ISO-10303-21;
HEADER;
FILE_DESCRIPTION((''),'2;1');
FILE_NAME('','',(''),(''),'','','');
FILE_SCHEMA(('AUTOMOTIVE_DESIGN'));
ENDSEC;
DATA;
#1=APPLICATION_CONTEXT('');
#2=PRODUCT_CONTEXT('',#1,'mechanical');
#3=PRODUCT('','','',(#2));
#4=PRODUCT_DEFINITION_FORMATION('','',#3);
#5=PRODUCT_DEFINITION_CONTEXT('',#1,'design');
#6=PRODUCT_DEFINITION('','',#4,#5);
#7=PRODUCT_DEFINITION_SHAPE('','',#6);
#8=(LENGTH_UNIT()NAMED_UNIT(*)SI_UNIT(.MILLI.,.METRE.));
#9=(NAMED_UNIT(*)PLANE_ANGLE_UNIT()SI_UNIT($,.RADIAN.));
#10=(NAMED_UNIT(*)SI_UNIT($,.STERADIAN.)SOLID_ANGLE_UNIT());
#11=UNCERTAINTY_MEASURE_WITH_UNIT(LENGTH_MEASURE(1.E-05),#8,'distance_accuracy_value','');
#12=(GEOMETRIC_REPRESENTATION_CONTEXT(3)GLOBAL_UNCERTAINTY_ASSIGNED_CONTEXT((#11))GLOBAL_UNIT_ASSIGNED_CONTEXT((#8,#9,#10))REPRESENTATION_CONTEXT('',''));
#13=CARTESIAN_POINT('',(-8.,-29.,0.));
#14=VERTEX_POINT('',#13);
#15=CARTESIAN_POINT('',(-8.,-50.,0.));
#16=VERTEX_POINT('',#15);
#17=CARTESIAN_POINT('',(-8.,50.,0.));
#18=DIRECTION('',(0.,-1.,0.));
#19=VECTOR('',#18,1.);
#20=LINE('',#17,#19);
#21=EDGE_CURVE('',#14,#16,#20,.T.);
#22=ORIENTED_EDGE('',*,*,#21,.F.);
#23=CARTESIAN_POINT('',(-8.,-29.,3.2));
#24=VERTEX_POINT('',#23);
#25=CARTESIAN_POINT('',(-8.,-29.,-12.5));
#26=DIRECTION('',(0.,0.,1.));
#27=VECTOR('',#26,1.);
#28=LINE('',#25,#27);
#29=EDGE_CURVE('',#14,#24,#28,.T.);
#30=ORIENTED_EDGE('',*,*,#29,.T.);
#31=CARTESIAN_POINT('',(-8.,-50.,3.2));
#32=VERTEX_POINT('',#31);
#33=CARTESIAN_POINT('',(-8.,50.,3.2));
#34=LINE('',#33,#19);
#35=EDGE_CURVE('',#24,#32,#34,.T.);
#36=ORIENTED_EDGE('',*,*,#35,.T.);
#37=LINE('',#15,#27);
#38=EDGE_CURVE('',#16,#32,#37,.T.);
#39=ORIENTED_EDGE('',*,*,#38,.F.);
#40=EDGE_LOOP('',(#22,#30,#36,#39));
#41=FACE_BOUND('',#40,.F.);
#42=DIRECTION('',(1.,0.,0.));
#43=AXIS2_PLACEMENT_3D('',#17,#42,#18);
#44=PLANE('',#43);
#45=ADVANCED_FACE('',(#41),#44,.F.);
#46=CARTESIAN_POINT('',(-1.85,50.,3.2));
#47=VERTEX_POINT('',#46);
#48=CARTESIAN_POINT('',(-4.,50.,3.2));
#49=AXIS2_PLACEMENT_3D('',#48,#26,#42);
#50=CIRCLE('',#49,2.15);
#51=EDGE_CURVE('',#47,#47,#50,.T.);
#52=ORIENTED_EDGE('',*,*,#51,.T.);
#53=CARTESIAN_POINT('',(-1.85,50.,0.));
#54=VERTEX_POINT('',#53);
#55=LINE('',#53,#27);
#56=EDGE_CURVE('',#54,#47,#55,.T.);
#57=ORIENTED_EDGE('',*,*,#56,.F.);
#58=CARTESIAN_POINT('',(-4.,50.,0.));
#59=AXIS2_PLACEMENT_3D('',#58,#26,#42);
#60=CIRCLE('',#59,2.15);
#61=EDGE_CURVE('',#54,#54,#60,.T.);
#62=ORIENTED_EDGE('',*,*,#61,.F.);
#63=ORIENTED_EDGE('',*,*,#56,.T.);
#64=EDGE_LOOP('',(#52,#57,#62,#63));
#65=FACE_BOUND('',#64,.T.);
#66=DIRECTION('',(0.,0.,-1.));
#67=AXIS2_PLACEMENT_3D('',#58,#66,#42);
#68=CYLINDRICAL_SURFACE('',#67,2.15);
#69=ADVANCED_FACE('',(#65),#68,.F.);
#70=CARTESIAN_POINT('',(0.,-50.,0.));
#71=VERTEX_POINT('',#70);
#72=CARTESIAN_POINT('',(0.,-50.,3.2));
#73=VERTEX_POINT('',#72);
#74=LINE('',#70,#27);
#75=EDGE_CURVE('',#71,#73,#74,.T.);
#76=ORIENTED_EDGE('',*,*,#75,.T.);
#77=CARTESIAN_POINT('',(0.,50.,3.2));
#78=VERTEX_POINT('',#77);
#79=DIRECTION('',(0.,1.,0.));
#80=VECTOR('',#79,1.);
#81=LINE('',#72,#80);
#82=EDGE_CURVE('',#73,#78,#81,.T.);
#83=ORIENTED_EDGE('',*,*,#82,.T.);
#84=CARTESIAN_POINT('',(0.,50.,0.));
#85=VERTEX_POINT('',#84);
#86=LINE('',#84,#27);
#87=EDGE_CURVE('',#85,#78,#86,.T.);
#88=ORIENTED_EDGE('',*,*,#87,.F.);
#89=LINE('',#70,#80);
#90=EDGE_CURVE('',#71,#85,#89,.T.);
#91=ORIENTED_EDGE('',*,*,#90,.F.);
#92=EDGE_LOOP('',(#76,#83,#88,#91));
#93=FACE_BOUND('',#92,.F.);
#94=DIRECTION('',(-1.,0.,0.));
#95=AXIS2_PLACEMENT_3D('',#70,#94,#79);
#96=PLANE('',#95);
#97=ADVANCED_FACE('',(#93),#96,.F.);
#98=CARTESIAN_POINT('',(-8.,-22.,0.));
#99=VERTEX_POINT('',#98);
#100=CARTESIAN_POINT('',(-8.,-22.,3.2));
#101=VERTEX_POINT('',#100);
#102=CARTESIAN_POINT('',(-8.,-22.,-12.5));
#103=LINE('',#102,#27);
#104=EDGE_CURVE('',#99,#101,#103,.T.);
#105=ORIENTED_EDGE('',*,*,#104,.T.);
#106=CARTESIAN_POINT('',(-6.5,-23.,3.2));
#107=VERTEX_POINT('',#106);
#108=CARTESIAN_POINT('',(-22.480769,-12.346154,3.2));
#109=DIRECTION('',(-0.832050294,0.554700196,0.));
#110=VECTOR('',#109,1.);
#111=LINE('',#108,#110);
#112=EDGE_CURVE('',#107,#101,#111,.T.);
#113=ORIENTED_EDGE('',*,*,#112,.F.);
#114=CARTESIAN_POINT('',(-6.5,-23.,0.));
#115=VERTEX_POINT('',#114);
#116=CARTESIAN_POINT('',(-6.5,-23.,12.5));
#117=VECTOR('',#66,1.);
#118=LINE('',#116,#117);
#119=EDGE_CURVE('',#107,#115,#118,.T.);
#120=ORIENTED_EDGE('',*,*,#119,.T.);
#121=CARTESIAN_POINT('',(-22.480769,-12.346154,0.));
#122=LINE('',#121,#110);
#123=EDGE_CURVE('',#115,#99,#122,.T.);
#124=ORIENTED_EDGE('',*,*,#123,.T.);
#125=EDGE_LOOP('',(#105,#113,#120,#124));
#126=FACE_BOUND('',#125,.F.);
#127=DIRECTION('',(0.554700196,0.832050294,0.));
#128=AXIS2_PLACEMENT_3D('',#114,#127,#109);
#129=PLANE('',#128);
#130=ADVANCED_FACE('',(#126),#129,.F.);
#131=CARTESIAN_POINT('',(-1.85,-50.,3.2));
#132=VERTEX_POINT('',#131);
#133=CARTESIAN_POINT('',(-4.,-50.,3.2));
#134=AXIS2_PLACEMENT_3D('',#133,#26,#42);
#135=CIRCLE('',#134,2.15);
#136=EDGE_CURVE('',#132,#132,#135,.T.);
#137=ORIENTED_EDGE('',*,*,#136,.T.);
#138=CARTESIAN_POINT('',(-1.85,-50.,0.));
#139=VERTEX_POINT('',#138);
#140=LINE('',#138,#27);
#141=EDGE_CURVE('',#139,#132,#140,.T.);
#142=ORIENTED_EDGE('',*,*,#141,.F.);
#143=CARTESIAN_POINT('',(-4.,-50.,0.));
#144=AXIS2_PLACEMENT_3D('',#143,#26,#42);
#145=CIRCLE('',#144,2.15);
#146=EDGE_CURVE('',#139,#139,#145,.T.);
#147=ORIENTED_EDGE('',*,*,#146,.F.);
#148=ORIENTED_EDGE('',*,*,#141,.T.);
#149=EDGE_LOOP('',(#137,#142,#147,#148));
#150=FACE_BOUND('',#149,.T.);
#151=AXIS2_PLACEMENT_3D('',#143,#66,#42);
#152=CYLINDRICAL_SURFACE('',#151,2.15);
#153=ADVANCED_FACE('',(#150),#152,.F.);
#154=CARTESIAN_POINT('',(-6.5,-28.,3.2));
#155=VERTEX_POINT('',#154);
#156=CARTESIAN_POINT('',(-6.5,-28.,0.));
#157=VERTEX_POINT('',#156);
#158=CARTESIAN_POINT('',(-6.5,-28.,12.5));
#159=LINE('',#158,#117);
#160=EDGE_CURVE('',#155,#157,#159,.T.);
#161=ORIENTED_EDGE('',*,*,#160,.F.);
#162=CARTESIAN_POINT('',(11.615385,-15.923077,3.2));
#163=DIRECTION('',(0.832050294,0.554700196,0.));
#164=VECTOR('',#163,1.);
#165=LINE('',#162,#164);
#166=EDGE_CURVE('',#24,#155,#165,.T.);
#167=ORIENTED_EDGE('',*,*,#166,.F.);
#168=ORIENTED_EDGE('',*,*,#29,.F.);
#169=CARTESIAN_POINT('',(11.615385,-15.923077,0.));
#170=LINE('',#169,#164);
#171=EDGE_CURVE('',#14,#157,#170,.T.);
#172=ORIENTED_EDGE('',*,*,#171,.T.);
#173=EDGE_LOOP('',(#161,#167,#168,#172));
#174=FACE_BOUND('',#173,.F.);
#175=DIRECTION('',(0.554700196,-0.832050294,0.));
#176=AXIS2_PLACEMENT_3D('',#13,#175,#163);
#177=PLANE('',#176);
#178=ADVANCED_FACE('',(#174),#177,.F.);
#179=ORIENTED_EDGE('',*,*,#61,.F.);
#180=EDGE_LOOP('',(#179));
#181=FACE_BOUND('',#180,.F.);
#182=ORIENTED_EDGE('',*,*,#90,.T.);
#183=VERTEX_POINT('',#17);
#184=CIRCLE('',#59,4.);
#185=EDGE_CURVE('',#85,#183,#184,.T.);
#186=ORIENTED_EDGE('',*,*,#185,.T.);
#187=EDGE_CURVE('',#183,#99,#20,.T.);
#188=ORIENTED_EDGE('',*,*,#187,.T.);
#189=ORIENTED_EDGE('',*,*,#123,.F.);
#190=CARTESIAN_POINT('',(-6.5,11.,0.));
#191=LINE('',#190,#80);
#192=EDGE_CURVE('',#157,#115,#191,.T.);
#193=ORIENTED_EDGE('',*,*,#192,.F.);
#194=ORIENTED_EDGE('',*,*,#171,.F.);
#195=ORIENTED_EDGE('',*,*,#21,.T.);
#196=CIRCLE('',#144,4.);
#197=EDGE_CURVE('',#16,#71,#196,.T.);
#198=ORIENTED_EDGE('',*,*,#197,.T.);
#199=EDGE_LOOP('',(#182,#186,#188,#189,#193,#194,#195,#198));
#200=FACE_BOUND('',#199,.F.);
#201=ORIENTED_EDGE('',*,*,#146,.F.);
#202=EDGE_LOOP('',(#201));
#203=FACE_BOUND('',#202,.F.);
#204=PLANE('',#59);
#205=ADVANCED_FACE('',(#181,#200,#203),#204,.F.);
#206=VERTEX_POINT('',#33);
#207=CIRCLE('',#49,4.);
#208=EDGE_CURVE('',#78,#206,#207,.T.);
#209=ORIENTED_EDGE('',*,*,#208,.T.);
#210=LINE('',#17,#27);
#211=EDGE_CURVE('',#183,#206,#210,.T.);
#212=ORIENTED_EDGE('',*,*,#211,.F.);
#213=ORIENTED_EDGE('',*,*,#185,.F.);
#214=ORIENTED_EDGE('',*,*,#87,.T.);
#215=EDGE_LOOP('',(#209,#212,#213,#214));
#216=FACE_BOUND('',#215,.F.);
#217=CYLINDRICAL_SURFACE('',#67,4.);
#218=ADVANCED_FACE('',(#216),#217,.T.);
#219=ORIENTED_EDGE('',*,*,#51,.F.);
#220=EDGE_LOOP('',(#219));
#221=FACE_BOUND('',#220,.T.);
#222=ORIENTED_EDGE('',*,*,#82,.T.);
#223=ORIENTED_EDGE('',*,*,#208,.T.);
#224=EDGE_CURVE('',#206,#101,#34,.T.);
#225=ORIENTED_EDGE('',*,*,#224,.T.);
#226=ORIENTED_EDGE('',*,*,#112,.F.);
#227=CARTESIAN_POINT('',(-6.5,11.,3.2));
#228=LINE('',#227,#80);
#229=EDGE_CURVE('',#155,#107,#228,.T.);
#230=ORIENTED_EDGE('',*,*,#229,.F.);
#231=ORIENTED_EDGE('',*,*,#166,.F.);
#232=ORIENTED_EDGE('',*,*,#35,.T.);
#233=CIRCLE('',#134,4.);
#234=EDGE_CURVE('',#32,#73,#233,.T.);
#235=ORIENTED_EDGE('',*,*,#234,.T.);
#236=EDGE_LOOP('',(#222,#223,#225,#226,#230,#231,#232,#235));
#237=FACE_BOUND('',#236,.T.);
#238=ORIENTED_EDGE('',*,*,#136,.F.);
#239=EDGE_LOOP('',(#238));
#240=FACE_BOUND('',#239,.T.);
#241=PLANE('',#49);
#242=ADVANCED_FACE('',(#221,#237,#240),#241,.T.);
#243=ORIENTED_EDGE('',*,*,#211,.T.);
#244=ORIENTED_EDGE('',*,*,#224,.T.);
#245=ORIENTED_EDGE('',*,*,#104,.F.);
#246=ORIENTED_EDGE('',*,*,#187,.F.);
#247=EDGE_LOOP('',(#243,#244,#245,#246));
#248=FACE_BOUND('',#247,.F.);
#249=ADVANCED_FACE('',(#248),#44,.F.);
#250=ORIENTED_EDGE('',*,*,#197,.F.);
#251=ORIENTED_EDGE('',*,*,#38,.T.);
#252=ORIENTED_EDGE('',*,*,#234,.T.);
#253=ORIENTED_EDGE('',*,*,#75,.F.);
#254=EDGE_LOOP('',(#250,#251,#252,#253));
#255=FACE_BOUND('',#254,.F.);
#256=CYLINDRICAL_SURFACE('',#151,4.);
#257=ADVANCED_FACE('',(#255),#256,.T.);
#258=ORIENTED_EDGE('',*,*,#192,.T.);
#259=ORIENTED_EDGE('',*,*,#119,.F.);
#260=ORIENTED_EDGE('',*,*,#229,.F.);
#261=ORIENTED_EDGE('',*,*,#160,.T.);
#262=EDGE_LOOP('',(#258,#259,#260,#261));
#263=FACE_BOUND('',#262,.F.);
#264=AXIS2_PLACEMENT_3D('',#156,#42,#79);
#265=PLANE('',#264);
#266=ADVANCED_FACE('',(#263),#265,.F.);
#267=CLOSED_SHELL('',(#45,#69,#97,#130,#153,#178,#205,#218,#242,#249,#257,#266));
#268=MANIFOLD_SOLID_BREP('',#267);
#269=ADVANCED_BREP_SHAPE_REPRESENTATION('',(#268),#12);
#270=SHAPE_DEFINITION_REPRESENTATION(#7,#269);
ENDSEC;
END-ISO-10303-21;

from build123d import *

# Parameters (mm, degrees)
F0_R     = 2.15
F1_DEPTH = 3.2
F3_DEPTH = 12.5


with BuildPart() as f1:
    # F0 (on Top) → F1 (new body)
    with BuildSketch(Plane.XY):
        with BuildLine():
            ThreePointArc((-8, 50), (-4, 46), (0, 50))
            ThreePointArc((0, 50), (-4, 54), (-8, 50))
        make_face()
        with Locations((-4, 50)):
            Circle(F0_R, mode=Mode.SUBTRACT)
        with BuildLine():
            Line((0, -50), (0, 50))
            ThreePointArc((0, 50), (-4, 46), (-8, 50))
            Line((-8, 50), (-8, -50))
            ThreePointArc((-8, -50), (-4, -46), (0, -50))
        make_face()
        with BuildLine():
            ThreePointArc((-8, -50), (-4, -54), (0, -50))
            ThreePointArc((0, -50), (-4, -46), (-8, -50))
        make_face()
        with Locations((-4, -50)):
            Circle(F0_R, mode=Mode.SUBTRACT)
    extrude(amount=F1_DEPTH)

    # F2 (on Top) → F3 (cut, symmetric)
    with BuildSketch(Plane.XY):
        Polygon((-6.5, -23), (-8, -22), (-8, -29), (-6.5, -28), align=None)
    extrude(amount=F3_DEPTH, both=True, mode=Mode.SUBTRACT)


solid = f1.part
